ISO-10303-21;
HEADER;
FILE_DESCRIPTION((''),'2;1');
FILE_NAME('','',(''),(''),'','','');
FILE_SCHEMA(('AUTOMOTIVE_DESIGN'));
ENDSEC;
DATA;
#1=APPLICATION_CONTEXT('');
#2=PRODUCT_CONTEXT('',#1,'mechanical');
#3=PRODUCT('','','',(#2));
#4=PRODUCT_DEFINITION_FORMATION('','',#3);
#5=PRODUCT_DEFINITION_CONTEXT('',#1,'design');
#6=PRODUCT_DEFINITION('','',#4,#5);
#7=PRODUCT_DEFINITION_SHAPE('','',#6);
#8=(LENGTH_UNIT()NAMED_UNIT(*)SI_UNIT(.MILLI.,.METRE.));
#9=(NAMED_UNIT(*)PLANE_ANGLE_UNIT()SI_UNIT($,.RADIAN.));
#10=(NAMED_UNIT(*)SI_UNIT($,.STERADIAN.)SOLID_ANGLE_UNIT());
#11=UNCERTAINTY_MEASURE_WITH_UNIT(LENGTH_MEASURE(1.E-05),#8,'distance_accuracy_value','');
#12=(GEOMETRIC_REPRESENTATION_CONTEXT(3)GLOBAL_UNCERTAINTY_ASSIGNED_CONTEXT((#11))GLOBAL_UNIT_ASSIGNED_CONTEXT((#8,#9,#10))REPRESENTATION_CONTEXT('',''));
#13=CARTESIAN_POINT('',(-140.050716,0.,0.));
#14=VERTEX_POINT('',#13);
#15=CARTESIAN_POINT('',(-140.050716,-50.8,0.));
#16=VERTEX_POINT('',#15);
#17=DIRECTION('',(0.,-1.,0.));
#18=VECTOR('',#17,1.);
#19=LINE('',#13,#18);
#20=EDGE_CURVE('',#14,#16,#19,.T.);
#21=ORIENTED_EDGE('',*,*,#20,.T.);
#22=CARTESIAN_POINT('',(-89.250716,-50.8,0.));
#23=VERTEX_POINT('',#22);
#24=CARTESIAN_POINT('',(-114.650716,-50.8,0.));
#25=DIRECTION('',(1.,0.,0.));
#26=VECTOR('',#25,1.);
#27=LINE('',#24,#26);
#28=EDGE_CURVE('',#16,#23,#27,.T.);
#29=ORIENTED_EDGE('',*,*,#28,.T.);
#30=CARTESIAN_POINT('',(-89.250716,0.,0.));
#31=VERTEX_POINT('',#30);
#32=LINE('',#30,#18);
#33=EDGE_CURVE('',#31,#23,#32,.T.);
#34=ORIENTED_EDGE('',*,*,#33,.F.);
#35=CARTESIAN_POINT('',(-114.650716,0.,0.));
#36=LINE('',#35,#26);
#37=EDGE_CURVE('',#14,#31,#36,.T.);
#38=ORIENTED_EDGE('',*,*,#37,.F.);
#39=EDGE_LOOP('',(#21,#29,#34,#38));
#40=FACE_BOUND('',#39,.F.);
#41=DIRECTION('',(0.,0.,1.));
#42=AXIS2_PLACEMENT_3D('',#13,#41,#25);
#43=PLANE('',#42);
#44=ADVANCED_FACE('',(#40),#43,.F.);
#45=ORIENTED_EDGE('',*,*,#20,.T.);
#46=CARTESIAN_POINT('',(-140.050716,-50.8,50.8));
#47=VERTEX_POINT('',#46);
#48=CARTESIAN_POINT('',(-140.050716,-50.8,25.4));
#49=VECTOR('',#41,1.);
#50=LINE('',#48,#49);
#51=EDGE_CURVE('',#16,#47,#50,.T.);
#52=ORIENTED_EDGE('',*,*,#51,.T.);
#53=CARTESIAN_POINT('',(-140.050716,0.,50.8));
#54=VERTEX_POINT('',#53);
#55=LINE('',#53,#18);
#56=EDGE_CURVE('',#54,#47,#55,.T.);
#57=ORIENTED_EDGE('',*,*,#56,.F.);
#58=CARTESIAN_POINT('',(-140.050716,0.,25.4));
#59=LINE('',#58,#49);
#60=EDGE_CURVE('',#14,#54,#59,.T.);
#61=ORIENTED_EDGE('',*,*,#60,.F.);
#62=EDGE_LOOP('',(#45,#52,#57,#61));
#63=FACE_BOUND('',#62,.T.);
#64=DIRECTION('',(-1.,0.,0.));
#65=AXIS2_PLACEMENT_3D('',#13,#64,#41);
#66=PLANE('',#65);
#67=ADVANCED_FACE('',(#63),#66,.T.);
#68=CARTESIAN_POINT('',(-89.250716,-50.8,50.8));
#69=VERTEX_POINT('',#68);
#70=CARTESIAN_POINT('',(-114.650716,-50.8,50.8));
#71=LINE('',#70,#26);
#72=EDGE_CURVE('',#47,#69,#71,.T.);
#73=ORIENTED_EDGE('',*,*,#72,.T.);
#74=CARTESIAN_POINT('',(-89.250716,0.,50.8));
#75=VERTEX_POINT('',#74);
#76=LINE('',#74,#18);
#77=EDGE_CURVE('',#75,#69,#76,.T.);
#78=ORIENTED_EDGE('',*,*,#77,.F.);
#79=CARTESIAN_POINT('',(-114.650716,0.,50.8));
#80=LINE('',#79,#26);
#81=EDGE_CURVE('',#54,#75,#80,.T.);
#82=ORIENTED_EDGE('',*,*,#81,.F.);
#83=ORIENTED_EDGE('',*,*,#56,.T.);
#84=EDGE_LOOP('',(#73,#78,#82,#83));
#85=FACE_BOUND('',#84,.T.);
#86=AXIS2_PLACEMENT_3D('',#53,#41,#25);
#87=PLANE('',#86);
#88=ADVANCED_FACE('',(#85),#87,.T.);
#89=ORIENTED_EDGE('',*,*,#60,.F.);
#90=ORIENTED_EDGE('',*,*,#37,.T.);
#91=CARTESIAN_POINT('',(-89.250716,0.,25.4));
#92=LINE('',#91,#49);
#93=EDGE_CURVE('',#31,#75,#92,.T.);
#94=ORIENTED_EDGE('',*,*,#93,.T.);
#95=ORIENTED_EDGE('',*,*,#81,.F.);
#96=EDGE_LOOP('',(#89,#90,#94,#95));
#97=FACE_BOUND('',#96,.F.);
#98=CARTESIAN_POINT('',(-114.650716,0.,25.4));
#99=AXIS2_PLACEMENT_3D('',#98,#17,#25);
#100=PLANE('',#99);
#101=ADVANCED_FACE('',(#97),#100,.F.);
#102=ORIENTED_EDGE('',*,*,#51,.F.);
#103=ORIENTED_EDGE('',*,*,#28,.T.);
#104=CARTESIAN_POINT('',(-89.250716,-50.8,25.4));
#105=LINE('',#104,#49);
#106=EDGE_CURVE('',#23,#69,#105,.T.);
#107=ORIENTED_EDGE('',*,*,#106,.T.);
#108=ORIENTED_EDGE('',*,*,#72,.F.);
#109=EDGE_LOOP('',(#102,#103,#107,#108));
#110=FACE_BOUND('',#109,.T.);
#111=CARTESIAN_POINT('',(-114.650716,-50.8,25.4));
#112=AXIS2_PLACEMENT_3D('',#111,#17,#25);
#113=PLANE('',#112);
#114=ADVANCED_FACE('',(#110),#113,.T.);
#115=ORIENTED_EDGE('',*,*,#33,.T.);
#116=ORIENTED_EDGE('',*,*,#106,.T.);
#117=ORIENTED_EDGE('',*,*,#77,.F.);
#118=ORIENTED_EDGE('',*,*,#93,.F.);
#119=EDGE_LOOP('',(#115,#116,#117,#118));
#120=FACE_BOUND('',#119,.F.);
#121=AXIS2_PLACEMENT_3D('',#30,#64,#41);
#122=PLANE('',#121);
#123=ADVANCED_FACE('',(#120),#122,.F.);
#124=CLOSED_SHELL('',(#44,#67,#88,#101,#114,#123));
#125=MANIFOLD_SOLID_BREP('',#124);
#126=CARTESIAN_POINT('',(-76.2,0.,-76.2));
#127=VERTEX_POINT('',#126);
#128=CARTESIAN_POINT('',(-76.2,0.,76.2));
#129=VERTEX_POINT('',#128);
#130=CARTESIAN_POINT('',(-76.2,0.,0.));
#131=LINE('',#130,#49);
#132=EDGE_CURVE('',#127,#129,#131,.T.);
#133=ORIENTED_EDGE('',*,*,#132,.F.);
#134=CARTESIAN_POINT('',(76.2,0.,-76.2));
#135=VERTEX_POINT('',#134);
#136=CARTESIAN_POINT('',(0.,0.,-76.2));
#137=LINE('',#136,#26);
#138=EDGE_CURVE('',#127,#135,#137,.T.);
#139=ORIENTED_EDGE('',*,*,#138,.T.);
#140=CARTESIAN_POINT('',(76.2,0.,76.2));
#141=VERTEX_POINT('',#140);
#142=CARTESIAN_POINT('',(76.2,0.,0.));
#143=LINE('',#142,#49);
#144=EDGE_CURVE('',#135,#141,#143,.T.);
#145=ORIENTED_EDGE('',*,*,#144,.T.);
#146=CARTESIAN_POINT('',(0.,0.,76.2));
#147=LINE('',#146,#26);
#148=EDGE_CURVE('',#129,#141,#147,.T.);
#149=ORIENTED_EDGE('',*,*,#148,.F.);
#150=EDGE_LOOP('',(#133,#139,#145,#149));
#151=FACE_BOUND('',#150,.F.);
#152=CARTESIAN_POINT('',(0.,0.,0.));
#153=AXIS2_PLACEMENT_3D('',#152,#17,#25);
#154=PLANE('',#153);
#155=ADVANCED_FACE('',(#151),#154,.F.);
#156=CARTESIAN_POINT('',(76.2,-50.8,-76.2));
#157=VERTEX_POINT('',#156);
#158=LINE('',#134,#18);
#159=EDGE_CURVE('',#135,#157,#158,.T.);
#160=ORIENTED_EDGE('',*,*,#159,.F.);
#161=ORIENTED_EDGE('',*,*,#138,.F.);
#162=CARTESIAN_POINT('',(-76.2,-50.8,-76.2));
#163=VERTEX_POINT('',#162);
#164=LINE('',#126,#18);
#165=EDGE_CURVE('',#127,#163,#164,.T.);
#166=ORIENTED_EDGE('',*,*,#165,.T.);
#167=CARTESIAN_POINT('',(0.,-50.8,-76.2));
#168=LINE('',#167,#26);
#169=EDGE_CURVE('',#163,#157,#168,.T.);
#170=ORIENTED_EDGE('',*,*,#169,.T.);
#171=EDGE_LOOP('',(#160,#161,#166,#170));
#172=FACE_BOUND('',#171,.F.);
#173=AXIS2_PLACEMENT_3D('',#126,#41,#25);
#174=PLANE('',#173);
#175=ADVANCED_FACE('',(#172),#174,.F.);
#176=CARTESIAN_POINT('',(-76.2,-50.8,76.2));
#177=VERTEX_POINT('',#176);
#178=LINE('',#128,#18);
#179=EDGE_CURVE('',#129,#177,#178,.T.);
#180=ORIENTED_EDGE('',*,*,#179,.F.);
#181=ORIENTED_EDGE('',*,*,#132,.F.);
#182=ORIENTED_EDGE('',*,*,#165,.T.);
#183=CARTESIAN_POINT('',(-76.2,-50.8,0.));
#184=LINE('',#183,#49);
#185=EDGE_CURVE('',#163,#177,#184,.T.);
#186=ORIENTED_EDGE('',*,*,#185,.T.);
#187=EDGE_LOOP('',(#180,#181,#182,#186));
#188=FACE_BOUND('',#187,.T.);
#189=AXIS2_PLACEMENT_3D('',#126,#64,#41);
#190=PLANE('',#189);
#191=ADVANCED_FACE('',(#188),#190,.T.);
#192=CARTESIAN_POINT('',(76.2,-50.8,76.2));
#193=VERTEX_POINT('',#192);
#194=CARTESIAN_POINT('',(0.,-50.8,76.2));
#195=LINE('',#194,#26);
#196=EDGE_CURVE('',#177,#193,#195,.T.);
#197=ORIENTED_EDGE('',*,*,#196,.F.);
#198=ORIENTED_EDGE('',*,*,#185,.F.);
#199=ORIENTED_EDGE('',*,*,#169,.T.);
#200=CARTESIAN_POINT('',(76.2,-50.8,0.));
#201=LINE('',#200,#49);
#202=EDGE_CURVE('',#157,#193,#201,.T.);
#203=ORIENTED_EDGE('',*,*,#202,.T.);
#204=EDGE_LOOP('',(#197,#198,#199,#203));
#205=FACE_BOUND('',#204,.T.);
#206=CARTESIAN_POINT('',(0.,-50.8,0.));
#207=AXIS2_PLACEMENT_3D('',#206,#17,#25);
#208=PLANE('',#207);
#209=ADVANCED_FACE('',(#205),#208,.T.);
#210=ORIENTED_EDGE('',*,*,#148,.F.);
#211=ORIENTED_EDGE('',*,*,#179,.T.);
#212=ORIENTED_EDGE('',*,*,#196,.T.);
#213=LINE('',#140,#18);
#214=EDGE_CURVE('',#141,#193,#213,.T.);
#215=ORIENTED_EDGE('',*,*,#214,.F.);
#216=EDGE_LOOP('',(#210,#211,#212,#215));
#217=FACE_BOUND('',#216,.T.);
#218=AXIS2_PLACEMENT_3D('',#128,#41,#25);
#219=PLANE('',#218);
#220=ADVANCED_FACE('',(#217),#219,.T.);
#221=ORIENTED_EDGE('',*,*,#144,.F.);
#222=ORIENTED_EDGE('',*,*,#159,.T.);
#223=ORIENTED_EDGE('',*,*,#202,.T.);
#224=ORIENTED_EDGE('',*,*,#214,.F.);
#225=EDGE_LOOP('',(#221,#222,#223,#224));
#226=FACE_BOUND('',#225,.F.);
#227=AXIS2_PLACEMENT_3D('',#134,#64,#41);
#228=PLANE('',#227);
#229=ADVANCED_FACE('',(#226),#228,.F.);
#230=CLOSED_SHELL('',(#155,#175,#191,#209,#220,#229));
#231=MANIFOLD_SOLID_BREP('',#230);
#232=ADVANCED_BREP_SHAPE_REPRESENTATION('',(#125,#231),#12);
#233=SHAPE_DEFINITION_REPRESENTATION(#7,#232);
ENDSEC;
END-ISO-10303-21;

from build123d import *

# Parameters (mm, degrees)
F0_W     = 152.4
F0_H     = 152.4
F1_DEPTH = 50.8
F0_W_2   = 50.8
F0_H_2   = 50.8


with BuildPart() as f1:
    # F0 (on Front) → F1 (new body)
    with BuildSketch(Plane.XZ):
        Rectangle(F0_W, F0_H)
    extrude(amount=F1_DEPTH)


with BuildPart() as f1b:
    # F0 (on Front) → F1, piece 2 (new body)
    with BuildSketch(Plane.XZ):
        with Locations((-114.6507156134, 25.4)):
            Rectangle(F0_W_2, F0_H_2)
    extrude(amount=F1_DEPTH)


solid = Compound([f1.part, f1b.part])
